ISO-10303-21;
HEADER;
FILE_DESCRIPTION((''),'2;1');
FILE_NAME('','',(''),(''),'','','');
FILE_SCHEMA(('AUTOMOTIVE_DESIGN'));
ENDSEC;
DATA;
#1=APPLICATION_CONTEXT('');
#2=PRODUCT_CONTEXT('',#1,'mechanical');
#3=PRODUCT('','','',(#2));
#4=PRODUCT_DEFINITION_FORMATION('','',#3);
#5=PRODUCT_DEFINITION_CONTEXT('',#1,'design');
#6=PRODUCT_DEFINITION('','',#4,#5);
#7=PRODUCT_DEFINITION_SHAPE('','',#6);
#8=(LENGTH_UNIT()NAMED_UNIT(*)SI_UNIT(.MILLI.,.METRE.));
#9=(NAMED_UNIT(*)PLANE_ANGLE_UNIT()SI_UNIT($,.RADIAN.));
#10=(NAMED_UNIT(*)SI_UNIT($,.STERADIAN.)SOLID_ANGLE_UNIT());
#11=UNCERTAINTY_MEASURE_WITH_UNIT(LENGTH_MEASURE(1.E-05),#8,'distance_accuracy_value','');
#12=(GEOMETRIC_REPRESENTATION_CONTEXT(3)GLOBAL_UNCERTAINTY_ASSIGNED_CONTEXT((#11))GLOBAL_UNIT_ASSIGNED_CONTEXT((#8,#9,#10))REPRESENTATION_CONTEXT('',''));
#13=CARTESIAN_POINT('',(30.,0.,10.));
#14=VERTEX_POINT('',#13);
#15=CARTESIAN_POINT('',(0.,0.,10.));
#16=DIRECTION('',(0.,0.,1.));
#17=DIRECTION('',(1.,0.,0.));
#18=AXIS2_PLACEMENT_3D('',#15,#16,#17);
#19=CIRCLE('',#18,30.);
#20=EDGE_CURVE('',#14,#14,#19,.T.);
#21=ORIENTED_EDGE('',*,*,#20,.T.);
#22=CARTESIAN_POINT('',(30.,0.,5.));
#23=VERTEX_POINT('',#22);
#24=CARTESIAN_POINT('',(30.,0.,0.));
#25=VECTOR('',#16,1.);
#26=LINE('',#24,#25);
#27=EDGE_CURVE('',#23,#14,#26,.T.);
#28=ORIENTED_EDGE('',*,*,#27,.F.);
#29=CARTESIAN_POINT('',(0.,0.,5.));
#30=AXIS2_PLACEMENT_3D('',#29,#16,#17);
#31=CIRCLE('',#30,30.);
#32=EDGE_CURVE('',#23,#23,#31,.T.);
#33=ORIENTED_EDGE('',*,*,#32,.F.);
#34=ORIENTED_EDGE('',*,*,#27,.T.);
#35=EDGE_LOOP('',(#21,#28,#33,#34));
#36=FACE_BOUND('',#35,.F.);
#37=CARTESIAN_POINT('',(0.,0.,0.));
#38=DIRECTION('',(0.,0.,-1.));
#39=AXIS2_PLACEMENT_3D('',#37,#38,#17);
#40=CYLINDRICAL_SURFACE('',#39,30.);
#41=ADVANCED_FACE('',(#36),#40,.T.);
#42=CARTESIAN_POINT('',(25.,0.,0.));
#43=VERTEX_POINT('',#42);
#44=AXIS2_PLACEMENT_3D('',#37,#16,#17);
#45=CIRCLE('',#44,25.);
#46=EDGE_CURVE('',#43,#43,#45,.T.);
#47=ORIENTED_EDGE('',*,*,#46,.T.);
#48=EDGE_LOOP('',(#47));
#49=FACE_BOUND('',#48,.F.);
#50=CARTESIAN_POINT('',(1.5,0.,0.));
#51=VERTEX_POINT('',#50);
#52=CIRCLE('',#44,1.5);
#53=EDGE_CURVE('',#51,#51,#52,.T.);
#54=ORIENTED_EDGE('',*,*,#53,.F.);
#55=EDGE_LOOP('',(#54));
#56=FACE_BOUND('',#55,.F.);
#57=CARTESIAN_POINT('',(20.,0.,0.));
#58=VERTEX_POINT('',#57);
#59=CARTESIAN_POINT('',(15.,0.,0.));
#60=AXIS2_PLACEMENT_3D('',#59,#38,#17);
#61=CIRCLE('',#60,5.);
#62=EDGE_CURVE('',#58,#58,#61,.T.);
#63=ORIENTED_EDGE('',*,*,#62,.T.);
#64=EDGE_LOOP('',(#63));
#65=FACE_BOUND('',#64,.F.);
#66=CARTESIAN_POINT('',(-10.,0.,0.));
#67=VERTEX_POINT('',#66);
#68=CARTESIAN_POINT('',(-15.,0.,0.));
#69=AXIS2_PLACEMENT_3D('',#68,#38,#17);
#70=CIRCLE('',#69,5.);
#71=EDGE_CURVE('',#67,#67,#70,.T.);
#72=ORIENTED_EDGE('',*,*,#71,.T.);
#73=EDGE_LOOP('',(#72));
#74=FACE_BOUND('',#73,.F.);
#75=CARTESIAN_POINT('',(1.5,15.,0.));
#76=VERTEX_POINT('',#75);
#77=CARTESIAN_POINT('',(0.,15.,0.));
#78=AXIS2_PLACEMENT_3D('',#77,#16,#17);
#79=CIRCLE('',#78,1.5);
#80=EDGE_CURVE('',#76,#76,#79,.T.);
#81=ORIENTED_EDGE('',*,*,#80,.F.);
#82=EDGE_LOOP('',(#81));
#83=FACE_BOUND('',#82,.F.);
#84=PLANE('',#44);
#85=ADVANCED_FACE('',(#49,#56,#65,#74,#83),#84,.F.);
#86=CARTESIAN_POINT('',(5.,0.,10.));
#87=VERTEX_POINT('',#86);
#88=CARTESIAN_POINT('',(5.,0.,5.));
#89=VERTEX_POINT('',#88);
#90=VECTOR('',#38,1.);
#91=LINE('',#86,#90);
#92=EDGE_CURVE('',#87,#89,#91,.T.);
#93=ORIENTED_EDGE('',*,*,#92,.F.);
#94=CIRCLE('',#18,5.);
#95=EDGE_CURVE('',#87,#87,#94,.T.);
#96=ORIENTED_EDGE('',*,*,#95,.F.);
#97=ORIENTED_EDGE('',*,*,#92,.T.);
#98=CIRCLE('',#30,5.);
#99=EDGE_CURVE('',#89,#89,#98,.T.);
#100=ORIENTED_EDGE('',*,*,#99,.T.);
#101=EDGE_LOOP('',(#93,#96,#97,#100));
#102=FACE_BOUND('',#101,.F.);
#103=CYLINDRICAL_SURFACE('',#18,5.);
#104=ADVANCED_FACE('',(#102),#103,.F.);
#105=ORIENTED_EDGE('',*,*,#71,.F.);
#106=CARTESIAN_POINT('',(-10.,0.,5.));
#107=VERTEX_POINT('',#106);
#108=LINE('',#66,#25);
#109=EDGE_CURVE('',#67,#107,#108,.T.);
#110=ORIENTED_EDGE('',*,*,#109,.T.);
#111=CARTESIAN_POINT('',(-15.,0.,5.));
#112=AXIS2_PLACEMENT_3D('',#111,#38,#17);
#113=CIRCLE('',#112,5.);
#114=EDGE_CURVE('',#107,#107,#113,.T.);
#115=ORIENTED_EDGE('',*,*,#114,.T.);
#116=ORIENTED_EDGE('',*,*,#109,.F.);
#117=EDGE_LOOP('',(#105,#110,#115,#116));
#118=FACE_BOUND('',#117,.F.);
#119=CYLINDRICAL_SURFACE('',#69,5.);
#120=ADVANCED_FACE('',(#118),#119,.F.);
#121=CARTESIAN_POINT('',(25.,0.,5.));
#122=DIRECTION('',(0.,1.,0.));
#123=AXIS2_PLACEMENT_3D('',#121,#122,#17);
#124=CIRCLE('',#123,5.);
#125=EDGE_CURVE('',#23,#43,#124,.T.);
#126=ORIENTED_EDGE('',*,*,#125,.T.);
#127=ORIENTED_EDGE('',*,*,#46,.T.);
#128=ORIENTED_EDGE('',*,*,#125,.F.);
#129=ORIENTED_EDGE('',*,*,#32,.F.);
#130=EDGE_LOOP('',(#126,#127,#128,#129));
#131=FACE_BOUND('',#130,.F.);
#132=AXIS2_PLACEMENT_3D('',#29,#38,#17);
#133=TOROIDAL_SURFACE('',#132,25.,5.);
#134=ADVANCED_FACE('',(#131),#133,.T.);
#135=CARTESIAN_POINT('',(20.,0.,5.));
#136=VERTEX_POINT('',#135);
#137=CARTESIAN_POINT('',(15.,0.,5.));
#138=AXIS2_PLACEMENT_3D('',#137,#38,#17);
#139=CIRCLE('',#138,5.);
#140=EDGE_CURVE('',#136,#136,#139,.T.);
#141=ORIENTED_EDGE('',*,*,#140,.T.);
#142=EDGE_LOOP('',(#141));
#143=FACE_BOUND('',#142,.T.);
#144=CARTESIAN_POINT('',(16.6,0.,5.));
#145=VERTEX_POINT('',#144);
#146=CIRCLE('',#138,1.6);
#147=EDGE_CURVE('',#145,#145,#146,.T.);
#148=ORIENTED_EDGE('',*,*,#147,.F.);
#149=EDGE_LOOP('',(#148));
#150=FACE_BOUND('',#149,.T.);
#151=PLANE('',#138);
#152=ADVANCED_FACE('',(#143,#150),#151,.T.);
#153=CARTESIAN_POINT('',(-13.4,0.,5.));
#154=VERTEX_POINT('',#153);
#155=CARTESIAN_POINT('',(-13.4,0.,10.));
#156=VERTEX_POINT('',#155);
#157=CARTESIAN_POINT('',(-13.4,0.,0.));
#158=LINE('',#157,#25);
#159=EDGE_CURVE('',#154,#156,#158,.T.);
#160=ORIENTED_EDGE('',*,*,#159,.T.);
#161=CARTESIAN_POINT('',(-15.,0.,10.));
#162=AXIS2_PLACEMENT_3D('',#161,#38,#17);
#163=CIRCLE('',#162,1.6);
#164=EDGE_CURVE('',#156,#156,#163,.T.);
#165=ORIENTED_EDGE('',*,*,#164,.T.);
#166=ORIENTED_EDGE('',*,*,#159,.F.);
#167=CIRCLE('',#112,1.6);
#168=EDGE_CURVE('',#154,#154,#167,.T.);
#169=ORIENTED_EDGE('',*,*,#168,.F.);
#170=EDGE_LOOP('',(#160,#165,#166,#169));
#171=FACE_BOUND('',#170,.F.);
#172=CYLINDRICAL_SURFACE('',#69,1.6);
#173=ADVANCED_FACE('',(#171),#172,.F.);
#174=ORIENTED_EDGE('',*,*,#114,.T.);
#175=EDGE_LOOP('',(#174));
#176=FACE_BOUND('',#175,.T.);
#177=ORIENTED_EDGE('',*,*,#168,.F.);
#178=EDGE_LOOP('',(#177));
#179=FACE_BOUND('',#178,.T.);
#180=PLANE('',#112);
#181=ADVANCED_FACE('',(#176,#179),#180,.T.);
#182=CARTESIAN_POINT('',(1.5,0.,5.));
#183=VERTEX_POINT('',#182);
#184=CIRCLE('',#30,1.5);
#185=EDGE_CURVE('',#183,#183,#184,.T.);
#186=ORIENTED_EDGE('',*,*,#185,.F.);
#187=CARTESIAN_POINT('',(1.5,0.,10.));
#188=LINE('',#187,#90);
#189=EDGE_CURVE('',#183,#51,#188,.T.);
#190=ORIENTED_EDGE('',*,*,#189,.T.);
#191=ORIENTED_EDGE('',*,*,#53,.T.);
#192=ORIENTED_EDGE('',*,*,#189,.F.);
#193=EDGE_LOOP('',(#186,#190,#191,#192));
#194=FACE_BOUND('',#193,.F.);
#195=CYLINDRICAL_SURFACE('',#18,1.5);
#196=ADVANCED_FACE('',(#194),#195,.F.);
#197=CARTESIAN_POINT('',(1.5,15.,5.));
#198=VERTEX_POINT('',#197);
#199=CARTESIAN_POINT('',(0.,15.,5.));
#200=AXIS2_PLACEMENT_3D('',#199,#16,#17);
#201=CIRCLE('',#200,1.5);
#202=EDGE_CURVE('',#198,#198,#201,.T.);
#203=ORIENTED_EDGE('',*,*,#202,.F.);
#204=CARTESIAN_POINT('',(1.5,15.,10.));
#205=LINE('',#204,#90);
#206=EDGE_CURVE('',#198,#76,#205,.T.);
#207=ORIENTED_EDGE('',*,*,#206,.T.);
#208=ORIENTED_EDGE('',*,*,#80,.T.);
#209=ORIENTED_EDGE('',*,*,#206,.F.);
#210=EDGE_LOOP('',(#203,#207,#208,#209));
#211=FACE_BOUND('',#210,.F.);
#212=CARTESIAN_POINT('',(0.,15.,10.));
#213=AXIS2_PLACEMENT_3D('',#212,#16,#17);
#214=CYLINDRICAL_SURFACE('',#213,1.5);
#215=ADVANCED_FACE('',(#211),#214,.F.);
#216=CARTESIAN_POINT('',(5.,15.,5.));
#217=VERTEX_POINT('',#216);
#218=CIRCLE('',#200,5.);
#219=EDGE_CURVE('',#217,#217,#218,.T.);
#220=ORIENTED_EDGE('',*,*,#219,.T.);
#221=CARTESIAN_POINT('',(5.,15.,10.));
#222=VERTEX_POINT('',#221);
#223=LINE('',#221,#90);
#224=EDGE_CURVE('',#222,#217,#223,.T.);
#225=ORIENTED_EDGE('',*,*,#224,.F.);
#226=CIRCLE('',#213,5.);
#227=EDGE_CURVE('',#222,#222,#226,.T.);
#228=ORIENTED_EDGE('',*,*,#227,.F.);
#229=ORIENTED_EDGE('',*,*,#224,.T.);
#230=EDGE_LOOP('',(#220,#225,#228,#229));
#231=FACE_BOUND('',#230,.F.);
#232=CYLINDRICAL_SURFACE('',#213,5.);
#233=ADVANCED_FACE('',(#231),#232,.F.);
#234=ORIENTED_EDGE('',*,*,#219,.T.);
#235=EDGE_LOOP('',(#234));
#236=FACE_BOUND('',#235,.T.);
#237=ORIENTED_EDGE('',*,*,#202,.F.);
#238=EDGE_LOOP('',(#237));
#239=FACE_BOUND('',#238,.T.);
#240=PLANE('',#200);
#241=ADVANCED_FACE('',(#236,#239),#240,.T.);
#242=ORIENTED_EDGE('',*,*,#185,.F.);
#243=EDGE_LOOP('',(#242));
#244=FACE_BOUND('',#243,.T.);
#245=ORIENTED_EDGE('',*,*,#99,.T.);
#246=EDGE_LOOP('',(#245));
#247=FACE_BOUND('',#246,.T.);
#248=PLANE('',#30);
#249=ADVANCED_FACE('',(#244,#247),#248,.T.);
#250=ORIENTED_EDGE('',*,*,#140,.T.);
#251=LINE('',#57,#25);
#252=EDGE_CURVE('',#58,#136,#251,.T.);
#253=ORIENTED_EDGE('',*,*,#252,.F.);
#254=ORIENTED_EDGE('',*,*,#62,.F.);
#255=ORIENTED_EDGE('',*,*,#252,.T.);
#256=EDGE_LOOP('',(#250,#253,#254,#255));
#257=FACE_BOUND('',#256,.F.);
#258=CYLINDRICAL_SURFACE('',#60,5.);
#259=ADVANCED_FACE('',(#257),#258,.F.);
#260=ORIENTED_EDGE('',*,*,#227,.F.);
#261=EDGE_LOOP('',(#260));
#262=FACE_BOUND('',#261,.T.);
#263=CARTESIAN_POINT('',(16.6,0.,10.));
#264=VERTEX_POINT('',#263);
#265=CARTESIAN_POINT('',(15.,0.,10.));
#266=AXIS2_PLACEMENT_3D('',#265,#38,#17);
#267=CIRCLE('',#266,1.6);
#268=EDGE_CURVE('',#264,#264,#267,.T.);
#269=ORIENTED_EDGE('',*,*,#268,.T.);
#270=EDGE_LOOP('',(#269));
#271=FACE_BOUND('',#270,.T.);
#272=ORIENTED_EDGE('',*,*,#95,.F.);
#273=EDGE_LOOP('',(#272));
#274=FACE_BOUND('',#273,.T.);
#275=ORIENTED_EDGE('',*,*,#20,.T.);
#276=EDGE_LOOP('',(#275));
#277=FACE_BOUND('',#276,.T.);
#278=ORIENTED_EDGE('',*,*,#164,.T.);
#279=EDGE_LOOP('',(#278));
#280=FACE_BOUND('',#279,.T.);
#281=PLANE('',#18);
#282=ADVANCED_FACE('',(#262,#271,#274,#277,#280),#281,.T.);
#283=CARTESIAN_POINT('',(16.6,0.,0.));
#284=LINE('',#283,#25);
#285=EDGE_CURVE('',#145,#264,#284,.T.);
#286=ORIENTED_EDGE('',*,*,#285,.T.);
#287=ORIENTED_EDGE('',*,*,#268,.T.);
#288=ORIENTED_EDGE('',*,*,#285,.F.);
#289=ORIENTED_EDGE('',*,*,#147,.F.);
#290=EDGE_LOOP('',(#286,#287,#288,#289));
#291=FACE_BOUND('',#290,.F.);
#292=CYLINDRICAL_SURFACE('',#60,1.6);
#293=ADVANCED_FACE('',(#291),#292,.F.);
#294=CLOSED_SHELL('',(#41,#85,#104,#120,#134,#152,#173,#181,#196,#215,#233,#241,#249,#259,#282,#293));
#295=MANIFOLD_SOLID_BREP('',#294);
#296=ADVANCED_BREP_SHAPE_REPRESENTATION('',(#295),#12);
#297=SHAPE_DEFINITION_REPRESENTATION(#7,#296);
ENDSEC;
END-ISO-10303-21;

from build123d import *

# Parameters (mm, degrees)
SKETCH_R        = 30
PAD_DEPTH       = 10
SKETCH002_R     = 1.5
POCKET_DEPTH    = 10.001
SKETCH003_R     = 5
POCKET001_DEPTH = 5
SKETCH004_R     = 1.6
POCKET002_DEPTH = 10.001
SKETCH005_R     = 5
POCKET003_DEPTH = 5
FILLET_R        = 5


with BuildPart() as part:
    # Sketch → Pad (new body)
    with BuildSketch(Plane.XY):
        Circle(SKETCH_R)
    extrude(amount=PAD_DEPTH)

    # Sketch002 (on Face3 of Pad) → Pocket (cut, through all)
    with BuildSketch(Plane.XY.offset(10)):
        Circle(SKETCH002_R)
        with Locations((0, 15)):
            Circle(SKETCH002_R)
    extrude(amount=-POCKET_DEPTH, mode=Mode.SUBTRACT)

    # Sketch003 (on Face3 of Pocket) → Pocket001 (cut)
    with BuildSketch(Plane.XY.offset(10)):
        with Locations((0, 15)):
            Circle(SKETCH003_R)
        Circle(SKETCH003_R)
    extrude(amount=-POCKET001_DEPTH, mode=Mode.SUBTRACT)

    # Sketch004 (on Face2 of Pocket001) → Pocket002 (cut, through all)
    with BuildSketch(Plane(origin=(0, 0, 0), x_dir=(1, 0, 0), z_dir=(0, 0, -1))):
        with Locations((-15, 0)):
            Circle(SKETCH004_R)
        with Locations((15, 0)):
            Circle(SKETCH004_R)
    extrude(amount=-POCKET002_DEPTH, mode=Mode.SUBTRACT)

    # Sketch005 (on Face2 of Pocket002) → Pocket003 (cut)
    with BuildSketch(Plane(origin=(0, 0, 0), x_dir=(1, 0, 0), z_dir=(0, 0, -1))):
        with Locations((-15, 0)):
            Circle(SKETCH005_R)
        with Locations((15, 0)):
            Circle(SKETCH005_R)
    extrude(amount=-POCKET003_DEPTH, mode=Mode.SUBTRACT)

    # Fillet
    fillet_edges = [part.edges().sort_by_distance(p)[0] for p in [
        (-30, 0, 0),
    ]]
    fillet(fillet_edges, radius=FILLET_R)


solid = part.part
